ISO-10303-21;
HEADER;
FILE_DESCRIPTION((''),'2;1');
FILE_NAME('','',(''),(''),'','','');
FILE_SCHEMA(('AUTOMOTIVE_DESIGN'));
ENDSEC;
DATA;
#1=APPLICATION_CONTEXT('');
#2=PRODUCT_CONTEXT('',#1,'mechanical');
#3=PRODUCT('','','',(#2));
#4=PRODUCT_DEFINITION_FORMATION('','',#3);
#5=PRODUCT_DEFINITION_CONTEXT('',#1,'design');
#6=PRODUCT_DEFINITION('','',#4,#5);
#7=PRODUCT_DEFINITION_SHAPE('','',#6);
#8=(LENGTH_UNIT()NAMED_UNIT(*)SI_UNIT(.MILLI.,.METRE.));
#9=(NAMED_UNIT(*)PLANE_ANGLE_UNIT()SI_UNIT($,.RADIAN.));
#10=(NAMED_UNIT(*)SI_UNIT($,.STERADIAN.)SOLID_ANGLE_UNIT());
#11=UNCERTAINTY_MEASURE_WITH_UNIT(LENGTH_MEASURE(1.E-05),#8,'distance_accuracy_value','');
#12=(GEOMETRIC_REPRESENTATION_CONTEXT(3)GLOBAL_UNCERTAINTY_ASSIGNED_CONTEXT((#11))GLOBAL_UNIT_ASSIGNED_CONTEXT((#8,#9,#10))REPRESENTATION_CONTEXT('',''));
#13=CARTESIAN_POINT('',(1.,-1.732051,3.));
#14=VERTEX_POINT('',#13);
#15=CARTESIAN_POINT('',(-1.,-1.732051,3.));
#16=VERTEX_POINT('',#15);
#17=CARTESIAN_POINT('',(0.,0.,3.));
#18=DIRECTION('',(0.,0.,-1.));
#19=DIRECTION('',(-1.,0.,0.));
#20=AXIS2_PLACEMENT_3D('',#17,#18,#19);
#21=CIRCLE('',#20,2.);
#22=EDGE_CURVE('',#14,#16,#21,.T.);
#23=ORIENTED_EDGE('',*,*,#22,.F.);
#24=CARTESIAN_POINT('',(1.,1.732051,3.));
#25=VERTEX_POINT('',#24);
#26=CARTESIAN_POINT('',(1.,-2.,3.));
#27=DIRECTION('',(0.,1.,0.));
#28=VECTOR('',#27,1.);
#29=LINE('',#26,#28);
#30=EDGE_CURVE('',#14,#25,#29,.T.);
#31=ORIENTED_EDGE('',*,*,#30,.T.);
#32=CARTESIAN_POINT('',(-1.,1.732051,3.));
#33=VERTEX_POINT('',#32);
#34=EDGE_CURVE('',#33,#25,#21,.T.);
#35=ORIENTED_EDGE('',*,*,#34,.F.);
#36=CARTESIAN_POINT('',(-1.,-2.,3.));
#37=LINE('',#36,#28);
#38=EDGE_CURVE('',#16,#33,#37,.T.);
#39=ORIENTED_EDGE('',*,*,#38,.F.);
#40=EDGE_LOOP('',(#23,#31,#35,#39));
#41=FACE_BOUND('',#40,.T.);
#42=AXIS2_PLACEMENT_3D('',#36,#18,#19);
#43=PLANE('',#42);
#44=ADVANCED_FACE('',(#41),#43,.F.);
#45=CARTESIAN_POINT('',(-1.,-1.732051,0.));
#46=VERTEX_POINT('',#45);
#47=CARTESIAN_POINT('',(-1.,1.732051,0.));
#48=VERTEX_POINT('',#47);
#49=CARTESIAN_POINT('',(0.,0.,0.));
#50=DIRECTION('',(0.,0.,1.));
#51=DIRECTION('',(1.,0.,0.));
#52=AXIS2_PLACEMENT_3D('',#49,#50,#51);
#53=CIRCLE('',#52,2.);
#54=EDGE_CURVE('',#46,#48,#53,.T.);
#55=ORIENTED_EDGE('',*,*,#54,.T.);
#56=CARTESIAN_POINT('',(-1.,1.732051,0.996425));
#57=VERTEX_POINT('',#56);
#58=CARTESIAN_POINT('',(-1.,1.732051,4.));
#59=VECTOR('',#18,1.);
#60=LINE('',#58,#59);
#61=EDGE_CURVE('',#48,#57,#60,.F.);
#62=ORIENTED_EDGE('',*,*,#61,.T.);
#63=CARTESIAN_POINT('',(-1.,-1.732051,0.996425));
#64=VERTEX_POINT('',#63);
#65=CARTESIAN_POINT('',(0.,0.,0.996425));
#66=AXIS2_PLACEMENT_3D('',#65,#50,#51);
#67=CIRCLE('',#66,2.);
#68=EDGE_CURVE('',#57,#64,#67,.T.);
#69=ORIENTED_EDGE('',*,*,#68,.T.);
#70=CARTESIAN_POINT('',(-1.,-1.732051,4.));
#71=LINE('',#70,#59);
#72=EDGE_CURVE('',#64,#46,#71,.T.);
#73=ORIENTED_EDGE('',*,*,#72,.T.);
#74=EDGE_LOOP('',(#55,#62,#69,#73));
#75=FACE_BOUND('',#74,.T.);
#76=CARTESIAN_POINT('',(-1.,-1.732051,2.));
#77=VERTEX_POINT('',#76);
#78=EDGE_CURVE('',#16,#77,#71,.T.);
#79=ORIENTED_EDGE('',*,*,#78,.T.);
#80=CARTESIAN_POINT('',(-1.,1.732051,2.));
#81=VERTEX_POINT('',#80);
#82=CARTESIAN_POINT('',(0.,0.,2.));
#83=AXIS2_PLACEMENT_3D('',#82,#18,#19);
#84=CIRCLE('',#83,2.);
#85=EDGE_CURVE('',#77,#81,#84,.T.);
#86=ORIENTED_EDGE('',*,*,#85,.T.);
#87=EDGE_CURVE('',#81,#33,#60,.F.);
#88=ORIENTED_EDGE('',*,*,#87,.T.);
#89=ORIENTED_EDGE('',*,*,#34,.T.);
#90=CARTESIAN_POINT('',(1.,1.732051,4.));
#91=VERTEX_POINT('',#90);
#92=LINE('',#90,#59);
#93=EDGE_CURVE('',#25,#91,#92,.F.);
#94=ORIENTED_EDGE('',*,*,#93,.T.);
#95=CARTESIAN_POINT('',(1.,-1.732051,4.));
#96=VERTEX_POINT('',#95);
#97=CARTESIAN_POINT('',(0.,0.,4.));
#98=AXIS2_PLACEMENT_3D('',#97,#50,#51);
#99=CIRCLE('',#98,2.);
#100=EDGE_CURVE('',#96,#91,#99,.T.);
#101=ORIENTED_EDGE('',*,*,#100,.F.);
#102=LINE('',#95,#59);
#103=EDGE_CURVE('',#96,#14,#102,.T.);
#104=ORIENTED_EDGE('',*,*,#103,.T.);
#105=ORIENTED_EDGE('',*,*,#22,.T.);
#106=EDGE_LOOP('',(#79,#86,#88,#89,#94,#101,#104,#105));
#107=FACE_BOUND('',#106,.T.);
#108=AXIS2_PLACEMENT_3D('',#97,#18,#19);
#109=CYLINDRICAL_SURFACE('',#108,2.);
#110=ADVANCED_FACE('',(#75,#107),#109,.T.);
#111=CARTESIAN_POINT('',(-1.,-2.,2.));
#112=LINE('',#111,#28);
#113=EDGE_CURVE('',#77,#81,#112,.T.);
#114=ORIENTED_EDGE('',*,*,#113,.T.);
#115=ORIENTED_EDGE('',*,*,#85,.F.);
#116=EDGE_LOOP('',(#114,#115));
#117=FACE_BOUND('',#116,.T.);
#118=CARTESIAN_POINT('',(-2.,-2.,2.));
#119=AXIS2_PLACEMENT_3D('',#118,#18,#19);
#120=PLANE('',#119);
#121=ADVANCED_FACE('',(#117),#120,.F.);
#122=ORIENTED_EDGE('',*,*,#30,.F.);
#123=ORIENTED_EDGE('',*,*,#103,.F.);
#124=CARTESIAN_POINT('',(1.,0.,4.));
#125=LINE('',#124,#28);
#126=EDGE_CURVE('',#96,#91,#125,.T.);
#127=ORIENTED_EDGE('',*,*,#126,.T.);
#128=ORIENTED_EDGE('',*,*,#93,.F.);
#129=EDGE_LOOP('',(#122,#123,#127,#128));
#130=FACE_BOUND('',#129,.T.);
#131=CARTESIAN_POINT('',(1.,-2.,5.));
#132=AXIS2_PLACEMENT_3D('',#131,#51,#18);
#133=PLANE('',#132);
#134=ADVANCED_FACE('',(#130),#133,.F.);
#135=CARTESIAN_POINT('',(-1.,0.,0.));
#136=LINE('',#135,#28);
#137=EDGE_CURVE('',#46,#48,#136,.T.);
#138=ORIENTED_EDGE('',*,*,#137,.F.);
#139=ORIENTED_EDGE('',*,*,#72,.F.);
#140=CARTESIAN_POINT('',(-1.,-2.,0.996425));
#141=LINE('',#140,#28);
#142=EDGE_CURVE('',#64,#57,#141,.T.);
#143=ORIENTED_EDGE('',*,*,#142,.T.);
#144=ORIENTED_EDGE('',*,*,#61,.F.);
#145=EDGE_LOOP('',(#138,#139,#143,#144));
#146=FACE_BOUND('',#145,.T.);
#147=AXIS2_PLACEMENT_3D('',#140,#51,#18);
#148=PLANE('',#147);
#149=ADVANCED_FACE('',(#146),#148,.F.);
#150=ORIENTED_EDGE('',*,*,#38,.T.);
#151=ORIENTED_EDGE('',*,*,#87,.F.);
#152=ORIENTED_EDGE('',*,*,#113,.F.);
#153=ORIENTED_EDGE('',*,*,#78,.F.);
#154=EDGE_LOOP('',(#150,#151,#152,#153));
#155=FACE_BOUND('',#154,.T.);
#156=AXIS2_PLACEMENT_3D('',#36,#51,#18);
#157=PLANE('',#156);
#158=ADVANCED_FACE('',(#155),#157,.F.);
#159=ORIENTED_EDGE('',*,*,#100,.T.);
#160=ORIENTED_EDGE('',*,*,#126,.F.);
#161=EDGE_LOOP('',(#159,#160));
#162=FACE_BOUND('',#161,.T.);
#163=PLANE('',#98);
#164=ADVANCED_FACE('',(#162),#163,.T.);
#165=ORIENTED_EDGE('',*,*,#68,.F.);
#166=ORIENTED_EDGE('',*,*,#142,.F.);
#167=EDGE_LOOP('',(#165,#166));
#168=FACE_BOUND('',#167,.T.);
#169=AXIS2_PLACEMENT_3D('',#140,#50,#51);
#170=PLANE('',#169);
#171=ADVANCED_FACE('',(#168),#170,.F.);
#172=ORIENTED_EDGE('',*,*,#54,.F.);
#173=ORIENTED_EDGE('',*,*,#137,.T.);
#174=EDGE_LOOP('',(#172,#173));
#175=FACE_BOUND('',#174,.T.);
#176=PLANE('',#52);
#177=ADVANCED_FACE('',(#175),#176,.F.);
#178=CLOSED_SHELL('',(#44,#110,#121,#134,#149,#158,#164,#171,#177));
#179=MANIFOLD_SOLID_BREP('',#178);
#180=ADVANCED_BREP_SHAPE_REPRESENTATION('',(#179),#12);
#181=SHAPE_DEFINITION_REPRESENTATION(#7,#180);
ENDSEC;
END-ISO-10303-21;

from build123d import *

# Parameters (mm, degrees)
SKETCH1_R           = 2
BOSS_EXTRUDE1_DEPTH = 4
SKETCH2_W           = 1
SKETCH2_H           = 0.996424707
CUT_EXTRUDE2_DEPTH  = 2


with BuildPart() as part:
    # Sketch1 → Boss-Extrude1 (new body)
    with BuildSketch(Plane.XY):
        Circle(SKETCH1_R)
    extrude(amount=BOSS_EXTRUDE1_DEPTH)

    # Sketch2 → Cut-Extrude2 (cut, symmetric)
    with BuildSketch(Plane(origin=(0, 0, 0), x_dir=(1, 0, 0), z_dir=(0, 1, 0))):
        Polygon((-1, -5), (1, -5), (1, -3), (-1, -3), (-1, -2), (-2, -2), (-2, -3), (-2, -5), align=None)
        with Locations((-1.5, -0.498212354)):
            Rectangle(SKETCH2_W, SKETCH2_H)
    extrude(amount=CUT_EXTRUDE2_DEPTH, both=True, mode=Mode.SUBTRACT)


solid = part.part
